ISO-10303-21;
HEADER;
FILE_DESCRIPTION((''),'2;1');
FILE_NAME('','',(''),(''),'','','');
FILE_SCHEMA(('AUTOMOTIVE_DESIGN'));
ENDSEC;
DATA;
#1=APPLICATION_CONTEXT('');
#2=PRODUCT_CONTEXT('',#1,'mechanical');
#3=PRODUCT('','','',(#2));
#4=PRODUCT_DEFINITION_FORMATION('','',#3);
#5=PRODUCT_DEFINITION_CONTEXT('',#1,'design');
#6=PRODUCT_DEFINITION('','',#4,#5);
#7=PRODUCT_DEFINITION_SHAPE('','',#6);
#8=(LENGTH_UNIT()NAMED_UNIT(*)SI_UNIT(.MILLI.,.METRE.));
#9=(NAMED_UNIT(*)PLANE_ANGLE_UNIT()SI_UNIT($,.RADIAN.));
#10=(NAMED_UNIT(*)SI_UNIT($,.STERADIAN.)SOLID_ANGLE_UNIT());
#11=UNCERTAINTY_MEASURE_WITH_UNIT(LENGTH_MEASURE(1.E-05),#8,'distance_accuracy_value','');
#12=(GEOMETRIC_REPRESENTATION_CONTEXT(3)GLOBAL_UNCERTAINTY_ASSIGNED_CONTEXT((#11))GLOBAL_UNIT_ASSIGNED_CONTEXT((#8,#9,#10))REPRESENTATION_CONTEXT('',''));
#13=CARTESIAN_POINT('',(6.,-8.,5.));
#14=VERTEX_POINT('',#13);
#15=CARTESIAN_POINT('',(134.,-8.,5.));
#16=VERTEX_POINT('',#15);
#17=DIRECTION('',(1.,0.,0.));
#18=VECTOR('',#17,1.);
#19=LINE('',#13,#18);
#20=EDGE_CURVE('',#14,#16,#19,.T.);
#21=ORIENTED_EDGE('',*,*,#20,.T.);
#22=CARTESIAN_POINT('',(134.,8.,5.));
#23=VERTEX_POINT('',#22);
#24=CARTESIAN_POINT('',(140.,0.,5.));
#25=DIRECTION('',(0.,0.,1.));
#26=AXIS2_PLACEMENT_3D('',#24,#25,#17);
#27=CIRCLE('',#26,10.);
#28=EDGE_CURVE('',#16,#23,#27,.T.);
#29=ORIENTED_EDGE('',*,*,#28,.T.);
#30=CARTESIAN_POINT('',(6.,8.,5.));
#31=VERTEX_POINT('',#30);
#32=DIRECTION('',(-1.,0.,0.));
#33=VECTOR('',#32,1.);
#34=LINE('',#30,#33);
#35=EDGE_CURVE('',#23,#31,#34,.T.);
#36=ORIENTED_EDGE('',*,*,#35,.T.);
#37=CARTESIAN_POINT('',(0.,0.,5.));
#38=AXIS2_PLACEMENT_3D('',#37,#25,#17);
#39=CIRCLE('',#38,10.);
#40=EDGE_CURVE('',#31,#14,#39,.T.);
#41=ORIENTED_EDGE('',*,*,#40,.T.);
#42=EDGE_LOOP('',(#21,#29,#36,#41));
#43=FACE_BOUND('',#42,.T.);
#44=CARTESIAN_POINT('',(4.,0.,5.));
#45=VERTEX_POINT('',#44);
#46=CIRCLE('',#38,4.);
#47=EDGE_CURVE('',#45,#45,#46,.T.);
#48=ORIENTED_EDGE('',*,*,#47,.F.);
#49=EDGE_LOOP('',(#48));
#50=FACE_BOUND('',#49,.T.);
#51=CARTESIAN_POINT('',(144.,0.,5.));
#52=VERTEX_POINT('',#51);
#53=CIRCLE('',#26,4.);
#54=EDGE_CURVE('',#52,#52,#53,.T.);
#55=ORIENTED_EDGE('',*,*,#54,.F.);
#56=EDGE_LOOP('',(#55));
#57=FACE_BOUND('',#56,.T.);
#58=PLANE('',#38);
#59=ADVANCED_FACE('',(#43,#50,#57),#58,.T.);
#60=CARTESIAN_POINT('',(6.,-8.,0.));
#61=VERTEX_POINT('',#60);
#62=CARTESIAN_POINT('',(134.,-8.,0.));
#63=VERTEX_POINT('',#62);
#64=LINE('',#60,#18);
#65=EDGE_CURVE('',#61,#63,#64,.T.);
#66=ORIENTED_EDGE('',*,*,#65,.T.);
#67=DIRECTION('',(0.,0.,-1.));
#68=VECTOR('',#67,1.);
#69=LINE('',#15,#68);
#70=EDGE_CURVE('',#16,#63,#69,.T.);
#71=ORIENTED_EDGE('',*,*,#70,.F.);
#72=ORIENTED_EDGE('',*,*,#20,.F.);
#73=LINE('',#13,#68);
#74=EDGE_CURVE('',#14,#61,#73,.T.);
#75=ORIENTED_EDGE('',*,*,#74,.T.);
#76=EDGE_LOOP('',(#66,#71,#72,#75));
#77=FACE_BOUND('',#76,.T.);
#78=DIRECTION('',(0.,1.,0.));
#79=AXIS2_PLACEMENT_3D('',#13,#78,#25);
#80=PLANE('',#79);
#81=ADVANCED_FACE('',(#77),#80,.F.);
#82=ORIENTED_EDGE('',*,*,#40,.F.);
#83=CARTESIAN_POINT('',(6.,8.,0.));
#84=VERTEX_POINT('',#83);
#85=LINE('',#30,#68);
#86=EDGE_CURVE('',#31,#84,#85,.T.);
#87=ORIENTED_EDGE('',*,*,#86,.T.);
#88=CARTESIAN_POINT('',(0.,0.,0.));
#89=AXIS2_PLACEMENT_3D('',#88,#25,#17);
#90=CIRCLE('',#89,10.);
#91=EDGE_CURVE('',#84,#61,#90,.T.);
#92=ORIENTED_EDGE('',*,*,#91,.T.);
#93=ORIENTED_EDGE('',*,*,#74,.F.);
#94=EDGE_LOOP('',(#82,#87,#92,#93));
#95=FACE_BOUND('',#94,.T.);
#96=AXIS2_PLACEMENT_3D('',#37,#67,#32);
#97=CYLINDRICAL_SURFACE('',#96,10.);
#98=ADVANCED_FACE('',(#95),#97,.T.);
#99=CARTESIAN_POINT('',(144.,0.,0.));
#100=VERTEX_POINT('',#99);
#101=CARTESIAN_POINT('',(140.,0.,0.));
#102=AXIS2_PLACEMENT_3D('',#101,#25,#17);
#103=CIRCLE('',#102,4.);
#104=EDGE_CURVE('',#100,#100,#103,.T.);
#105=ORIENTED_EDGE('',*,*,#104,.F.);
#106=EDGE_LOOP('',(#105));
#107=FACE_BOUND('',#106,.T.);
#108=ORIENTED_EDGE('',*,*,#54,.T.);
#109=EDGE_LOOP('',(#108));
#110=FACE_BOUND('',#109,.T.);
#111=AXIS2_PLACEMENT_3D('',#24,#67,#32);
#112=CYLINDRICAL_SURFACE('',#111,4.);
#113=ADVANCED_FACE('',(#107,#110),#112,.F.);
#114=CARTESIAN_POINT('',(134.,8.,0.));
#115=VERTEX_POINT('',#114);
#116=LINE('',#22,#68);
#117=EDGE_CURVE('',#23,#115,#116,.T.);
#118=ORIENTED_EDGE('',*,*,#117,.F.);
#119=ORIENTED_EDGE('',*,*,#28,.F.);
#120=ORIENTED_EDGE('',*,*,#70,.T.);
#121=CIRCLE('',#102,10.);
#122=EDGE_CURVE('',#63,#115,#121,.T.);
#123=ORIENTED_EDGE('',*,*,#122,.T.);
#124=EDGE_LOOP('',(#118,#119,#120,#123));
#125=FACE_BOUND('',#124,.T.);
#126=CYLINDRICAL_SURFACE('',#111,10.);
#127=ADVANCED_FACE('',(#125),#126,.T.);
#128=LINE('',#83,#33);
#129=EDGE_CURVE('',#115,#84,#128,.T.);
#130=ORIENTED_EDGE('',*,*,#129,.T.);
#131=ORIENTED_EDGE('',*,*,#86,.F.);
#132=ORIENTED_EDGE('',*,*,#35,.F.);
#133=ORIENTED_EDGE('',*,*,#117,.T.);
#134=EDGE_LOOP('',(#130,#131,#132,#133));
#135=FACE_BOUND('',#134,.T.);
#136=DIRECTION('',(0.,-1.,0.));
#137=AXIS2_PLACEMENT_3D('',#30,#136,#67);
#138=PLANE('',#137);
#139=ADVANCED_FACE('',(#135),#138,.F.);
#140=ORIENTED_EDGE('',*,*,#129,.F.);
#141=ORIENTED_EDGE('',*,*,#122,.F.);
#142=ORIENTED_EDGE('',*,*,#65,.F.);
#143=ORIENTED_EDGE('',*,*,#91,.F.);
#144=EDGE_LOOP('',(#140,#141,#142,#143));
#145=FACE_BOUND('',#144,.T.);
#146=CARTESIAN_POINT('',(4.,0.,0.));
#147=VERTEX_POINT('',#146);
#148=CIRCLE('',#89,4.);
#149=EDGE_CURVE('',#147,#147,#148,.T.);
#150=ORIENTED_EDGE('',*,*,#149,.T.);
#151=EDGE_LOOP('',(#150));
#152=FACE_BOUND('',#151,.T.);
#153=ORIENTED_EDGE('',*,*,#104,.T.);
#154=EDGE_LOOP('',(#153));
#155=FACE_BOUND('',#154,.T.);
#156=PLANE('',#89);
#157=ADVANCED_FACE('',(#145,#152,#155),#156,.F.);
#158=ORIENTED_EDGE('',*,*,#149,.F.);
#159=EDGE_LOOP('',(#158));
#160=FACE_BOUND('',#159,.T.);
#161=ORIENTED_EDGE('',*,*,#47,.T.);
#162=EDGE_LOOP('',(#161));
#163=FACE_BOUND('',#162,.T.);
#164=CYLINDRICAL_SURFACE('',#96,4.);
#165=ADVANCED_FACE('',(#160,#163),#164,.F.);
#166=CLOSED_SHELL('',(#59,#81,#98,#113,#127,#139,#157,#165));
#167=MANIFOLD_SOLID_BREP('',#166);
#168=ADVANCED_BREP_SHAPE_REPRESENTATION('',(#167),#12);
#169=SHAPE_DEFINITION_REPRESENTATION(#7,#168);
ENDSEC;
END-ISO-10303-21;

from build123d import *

# Parameters (mm, degrees)
SCHIZZO1_R                   = 4
ESTRUSIONE_ESTRUSIONE1_DEPTH = 5


with BuildPart() as part:
    # Schizzo1 → Estrusione-Estrusione1 (new body)
    with BuildSketch(Plane.XY):
        with BuildLine():
            Line((6, -8), (134, -8))
            ThreePointArc((134, -8), (150, 0), (134, 8))
            Line((134, 8), (6, 8))
            ThreePointArc((6, 8), (-10, 0), (6, -8))
        make_face()
        Circle(SCHIZZO1_R, mode=Mode.SUBTRACT)
        with Locations((140, 0)):
            Circle(SCHIZZO1_R, mode=Mode.SUBTRACT)
    extrude(amount=ESTRUSIONE_ESTRUSIONE1_DEPTH)


solid = part.part
